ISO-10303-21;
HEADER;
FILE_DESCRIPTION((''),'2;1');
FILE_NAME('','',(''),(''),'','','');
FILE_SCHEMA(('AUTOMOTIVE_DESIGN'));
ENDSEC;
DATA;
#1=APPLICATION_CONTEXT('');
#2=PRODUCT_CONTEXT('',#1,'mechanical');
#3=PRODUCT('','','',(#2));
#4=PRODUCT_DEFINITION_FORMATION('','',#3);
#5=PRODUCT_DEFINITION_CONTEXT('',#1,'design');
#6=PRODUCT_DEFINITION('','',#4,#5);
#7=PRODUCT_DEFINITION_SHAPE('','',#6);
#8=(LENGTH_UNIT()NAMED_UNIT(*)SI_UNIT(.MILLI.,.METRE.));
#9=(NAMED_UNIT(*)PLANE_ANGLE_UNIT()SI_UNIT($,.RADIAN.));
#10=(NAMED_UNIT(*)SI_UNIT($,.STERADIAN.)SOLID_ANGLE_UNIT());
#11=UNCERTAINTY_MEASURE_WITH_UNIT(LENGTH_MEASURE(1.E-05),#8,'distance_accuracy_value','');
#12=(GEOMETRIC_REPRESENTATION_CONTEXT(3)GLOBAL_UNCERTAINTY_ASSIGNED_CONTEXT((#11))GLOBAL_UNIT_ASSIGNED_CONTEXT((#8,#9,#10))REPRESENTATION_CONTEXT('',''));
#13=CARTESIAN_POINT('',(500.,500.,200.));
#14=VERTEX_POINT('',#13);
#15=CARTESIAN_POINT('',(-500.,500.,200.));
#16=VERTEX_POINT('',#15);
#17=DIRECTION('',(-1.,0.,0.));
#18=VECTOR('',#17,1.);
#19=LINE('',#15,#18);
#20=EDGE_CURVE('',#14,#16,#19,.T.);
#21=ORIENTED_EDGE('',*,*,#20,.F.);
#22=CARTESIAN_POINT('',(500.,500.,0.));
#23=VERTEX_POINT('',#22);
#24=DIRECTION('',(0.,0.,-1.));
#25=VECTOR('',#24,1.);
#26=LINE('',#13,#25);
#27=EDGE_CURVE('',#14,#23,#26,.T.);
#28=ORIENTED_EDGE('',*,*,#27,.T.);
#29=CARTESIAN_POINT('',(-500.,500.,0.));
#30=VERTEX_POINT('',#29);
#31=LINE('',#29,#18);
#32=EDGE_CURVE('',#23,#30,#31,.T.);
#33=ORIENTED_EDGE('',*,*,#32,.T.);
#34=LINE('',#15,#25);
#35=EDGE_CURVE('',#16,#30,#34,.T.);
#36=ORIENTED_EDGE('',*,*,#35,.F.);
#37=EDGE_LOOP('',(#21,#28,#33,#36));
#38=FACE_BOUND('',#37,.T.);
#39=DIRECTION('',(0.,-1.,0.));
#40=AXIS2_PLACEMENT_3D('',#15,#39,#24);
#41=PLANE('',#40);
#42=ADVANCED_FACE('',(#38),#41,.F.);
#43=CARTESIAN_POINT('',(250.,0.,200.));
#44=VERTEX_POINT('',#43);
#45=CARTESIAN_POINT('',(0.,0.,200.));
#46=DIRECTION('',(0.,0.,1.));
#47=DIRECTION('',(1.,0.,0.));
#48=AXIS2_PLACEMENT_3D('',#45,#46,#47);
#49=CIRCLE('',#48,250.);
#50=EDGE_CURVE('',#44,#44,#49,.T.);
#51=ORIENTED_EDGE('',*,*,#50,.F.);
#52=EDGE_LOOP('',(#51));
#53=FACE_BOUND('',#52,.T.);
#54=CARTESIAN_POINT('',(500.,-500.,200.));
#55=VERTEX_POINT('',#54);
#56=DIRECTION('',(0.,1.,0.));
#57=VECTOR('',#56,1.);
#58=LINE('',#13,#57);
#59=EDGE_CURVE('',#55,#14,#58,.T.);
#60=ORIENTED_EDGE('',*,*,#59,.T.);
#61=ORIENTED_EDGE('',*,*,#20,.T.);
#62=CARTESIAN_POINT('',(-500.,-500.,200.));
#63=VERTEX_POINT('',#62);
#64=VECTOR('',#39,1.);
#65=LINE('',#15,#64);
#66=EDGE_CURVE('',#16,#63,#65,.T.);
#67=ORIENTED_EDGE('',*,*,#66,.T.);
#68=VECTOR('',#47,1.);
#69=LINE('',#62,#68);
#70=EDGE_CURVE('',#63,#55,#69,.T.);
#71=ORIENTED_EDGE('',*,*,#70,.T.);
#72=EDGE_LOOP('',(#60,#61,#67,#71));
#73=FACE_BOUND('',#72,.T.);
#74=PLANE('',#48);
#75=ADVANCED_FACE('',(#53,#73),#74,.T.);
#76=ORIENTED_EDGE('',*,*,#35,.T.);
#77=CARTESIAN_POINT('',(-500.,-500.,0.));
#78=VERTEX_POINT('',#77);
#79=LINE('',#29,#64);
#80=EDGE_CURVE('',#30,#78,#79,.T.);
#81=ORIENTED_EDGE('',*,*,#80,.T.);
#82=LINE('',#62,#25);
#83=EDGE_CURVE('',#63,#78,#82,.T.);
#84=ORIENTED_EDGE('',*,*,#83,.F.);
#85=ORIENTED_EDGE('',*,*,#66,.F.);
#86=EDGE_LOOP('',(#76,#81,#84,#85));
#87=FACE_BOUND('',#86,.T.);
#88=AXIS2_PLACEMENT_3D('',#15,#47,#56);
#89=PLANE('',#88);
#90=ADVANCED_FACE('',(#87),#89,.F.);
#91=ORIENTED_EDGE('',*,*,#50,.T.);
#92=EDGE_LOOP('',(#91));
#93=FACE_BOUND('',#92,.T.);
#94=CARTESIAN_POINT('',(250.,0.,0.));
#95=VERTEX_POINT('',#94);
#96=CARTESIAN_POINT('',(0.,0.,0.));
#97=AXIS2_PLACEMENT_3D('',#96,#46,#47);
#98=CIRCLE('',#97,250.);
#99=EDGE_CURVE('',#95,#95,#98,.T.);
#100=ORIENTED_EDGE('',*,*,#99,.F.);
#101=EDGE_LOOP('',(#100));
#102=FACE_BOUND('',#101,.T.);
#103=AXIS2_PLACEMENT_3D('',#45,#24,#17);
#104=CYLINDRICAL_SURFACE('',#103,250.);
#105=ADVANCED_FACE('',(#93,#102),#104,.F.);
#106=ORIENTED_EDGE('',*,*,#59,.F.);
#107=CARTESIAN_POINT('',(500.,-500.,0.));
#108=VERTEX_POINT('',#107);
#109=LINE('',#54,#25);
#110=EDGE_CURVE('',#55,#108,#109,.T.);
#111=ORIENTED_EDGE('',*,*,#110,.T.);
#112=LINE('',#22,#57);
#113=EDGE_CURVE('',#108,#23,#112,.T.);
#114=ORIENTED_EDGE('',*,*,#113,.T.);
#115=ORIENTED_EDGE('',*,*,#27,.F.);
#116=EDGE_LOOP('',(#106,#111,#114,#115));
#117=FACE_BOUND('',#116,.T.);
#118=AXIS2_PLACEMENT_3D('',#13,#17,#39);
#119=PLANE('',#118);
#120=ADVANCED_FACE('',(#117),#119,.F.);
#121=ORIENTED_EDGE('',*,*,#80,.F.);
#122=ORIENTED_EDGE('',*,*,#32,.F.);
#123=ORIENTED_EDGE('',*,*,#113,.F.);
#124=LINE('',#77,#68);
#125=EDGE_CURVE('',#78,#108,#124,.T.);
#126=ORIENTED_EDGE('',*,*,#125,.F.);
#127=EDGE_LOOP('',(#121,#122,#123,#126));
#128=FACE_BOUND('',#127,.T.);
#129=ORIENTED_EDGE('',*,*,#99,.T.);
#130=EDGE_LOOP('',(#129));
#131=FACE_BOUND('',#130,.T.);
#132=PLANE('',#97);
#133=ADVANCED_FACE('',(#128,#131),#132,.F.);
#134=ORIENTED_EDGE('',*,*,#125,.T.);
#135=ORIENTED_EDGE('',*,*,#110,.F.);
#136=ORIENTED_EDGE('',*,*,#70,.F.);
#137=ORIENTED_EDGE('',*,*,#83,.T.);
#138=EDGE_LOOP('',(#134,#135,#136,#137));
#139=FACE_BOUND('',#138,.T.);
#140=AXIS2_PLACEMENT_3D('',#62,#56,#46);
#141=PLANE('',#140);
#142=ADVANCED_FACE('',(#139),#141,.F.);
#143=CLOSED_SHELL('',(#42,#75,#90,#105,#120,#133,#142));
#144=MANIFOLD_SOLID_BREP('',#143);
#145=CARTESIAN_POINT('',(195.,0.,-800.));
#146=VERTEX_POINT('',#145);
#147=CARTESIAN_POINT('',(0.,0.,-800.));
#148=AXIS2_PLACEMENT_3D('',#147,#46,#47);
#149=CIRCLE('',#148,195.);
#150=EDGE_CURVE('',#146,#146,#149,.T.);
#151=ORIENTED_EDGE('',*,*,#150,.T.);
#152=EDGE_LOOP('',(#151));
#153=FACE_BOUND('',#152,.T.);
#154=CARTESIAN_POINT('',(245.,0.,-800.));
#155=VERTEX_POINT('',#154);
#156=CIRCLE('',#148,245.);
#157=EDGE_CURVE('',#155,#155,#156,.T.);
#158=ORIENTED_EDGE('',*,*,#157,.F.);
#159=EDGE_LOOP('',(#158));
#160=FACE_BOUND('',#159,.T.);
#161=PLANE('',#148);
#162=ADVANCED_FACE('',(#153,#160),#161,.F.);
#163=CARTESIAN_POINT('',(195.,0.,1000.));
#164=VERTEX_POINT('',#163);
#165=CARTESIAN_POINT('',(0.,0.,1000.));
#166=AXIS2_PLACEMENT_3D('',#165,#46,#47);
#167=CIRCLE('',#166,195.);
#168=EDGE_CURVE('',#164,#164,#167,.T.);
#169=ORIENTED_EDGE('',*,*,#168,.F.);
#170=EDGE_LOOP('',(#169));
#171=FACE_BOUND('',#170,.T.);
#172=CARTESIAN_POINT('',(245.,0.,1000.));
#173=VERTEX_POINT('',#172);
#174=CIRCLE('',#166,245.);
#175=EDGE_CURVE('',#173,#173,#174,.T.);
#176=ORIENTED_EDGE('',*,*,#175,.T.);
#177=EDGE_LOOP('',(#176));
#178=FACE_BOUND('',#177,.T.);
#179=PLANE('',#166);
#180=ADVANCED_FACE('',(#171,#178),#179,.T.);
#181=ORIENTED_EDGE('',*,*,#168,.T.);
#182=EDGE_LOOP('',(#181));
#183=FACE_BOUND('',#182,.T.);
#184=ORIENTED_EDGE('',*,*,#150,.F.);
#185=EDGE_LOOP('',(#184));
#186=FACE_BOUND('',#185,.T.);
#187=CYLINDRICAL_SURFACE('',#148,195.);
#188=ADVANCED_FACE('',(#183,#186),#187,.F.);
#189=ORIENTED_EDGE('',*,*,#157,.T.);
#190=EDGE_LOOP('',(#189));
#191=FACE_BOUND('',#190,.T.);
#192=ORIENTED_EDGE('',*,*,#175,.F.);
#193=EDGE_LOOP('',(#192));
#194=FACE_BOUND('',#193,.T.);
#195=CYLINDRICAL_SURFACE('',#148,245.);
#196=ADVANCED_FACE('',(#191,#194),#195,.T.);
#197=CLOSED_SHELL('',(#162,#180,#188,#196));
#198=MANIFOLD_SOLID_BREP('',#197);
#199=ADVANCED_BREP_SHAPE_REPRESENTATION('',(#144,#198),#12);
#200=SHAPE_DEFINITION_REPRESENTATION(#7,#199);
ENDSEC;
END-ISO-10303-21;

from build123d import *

# Parameters (mm, degrees)
SKETCH1_W                = 1000
SKETCH1_H                = 1000
SKETCH1_R                = 250
BOSS_EXTRUDE1_DEPTH      = 200
SKETCH2_R                = 245
SKETCH2_R_2              = 195
EXTRUDE_THIN1_DEPTH      = 1000
EXTRUDE_THIN1_DEPTH_BACK = 800


with BuildPart() as part:
    # Sketch1 → Boss-Extrude1 (new body)
    with BuildSketch(Plane.XY):
        Rectangle(SKETCH1_W, SKETCH1_H)
        Circle(SKETCH1_R, mode=Mode.SUBTRACT)
    extrude(amount=BOSS_EXTRUDE1_DEPTH)


with BuildPart() as body_2:
    # Sketch2 → Extrude-Thin1 (new body, two sides)
    with BuildSketch(Plane.XY) as extrude_thin1_sk:
        Circle(SKETCH2_R)
        Circle(SKETCH2_R_2, mode=Mode.SUBTRACT)
    extrude(amount=EXTRUDE_THIN1_DEPTH)
    extrude(extrude_thin1_sk.sketch, amount=-EXTRUDE_THIN1_DEPTH_BACK)


solid = Compound([part.part, body_2.part])
